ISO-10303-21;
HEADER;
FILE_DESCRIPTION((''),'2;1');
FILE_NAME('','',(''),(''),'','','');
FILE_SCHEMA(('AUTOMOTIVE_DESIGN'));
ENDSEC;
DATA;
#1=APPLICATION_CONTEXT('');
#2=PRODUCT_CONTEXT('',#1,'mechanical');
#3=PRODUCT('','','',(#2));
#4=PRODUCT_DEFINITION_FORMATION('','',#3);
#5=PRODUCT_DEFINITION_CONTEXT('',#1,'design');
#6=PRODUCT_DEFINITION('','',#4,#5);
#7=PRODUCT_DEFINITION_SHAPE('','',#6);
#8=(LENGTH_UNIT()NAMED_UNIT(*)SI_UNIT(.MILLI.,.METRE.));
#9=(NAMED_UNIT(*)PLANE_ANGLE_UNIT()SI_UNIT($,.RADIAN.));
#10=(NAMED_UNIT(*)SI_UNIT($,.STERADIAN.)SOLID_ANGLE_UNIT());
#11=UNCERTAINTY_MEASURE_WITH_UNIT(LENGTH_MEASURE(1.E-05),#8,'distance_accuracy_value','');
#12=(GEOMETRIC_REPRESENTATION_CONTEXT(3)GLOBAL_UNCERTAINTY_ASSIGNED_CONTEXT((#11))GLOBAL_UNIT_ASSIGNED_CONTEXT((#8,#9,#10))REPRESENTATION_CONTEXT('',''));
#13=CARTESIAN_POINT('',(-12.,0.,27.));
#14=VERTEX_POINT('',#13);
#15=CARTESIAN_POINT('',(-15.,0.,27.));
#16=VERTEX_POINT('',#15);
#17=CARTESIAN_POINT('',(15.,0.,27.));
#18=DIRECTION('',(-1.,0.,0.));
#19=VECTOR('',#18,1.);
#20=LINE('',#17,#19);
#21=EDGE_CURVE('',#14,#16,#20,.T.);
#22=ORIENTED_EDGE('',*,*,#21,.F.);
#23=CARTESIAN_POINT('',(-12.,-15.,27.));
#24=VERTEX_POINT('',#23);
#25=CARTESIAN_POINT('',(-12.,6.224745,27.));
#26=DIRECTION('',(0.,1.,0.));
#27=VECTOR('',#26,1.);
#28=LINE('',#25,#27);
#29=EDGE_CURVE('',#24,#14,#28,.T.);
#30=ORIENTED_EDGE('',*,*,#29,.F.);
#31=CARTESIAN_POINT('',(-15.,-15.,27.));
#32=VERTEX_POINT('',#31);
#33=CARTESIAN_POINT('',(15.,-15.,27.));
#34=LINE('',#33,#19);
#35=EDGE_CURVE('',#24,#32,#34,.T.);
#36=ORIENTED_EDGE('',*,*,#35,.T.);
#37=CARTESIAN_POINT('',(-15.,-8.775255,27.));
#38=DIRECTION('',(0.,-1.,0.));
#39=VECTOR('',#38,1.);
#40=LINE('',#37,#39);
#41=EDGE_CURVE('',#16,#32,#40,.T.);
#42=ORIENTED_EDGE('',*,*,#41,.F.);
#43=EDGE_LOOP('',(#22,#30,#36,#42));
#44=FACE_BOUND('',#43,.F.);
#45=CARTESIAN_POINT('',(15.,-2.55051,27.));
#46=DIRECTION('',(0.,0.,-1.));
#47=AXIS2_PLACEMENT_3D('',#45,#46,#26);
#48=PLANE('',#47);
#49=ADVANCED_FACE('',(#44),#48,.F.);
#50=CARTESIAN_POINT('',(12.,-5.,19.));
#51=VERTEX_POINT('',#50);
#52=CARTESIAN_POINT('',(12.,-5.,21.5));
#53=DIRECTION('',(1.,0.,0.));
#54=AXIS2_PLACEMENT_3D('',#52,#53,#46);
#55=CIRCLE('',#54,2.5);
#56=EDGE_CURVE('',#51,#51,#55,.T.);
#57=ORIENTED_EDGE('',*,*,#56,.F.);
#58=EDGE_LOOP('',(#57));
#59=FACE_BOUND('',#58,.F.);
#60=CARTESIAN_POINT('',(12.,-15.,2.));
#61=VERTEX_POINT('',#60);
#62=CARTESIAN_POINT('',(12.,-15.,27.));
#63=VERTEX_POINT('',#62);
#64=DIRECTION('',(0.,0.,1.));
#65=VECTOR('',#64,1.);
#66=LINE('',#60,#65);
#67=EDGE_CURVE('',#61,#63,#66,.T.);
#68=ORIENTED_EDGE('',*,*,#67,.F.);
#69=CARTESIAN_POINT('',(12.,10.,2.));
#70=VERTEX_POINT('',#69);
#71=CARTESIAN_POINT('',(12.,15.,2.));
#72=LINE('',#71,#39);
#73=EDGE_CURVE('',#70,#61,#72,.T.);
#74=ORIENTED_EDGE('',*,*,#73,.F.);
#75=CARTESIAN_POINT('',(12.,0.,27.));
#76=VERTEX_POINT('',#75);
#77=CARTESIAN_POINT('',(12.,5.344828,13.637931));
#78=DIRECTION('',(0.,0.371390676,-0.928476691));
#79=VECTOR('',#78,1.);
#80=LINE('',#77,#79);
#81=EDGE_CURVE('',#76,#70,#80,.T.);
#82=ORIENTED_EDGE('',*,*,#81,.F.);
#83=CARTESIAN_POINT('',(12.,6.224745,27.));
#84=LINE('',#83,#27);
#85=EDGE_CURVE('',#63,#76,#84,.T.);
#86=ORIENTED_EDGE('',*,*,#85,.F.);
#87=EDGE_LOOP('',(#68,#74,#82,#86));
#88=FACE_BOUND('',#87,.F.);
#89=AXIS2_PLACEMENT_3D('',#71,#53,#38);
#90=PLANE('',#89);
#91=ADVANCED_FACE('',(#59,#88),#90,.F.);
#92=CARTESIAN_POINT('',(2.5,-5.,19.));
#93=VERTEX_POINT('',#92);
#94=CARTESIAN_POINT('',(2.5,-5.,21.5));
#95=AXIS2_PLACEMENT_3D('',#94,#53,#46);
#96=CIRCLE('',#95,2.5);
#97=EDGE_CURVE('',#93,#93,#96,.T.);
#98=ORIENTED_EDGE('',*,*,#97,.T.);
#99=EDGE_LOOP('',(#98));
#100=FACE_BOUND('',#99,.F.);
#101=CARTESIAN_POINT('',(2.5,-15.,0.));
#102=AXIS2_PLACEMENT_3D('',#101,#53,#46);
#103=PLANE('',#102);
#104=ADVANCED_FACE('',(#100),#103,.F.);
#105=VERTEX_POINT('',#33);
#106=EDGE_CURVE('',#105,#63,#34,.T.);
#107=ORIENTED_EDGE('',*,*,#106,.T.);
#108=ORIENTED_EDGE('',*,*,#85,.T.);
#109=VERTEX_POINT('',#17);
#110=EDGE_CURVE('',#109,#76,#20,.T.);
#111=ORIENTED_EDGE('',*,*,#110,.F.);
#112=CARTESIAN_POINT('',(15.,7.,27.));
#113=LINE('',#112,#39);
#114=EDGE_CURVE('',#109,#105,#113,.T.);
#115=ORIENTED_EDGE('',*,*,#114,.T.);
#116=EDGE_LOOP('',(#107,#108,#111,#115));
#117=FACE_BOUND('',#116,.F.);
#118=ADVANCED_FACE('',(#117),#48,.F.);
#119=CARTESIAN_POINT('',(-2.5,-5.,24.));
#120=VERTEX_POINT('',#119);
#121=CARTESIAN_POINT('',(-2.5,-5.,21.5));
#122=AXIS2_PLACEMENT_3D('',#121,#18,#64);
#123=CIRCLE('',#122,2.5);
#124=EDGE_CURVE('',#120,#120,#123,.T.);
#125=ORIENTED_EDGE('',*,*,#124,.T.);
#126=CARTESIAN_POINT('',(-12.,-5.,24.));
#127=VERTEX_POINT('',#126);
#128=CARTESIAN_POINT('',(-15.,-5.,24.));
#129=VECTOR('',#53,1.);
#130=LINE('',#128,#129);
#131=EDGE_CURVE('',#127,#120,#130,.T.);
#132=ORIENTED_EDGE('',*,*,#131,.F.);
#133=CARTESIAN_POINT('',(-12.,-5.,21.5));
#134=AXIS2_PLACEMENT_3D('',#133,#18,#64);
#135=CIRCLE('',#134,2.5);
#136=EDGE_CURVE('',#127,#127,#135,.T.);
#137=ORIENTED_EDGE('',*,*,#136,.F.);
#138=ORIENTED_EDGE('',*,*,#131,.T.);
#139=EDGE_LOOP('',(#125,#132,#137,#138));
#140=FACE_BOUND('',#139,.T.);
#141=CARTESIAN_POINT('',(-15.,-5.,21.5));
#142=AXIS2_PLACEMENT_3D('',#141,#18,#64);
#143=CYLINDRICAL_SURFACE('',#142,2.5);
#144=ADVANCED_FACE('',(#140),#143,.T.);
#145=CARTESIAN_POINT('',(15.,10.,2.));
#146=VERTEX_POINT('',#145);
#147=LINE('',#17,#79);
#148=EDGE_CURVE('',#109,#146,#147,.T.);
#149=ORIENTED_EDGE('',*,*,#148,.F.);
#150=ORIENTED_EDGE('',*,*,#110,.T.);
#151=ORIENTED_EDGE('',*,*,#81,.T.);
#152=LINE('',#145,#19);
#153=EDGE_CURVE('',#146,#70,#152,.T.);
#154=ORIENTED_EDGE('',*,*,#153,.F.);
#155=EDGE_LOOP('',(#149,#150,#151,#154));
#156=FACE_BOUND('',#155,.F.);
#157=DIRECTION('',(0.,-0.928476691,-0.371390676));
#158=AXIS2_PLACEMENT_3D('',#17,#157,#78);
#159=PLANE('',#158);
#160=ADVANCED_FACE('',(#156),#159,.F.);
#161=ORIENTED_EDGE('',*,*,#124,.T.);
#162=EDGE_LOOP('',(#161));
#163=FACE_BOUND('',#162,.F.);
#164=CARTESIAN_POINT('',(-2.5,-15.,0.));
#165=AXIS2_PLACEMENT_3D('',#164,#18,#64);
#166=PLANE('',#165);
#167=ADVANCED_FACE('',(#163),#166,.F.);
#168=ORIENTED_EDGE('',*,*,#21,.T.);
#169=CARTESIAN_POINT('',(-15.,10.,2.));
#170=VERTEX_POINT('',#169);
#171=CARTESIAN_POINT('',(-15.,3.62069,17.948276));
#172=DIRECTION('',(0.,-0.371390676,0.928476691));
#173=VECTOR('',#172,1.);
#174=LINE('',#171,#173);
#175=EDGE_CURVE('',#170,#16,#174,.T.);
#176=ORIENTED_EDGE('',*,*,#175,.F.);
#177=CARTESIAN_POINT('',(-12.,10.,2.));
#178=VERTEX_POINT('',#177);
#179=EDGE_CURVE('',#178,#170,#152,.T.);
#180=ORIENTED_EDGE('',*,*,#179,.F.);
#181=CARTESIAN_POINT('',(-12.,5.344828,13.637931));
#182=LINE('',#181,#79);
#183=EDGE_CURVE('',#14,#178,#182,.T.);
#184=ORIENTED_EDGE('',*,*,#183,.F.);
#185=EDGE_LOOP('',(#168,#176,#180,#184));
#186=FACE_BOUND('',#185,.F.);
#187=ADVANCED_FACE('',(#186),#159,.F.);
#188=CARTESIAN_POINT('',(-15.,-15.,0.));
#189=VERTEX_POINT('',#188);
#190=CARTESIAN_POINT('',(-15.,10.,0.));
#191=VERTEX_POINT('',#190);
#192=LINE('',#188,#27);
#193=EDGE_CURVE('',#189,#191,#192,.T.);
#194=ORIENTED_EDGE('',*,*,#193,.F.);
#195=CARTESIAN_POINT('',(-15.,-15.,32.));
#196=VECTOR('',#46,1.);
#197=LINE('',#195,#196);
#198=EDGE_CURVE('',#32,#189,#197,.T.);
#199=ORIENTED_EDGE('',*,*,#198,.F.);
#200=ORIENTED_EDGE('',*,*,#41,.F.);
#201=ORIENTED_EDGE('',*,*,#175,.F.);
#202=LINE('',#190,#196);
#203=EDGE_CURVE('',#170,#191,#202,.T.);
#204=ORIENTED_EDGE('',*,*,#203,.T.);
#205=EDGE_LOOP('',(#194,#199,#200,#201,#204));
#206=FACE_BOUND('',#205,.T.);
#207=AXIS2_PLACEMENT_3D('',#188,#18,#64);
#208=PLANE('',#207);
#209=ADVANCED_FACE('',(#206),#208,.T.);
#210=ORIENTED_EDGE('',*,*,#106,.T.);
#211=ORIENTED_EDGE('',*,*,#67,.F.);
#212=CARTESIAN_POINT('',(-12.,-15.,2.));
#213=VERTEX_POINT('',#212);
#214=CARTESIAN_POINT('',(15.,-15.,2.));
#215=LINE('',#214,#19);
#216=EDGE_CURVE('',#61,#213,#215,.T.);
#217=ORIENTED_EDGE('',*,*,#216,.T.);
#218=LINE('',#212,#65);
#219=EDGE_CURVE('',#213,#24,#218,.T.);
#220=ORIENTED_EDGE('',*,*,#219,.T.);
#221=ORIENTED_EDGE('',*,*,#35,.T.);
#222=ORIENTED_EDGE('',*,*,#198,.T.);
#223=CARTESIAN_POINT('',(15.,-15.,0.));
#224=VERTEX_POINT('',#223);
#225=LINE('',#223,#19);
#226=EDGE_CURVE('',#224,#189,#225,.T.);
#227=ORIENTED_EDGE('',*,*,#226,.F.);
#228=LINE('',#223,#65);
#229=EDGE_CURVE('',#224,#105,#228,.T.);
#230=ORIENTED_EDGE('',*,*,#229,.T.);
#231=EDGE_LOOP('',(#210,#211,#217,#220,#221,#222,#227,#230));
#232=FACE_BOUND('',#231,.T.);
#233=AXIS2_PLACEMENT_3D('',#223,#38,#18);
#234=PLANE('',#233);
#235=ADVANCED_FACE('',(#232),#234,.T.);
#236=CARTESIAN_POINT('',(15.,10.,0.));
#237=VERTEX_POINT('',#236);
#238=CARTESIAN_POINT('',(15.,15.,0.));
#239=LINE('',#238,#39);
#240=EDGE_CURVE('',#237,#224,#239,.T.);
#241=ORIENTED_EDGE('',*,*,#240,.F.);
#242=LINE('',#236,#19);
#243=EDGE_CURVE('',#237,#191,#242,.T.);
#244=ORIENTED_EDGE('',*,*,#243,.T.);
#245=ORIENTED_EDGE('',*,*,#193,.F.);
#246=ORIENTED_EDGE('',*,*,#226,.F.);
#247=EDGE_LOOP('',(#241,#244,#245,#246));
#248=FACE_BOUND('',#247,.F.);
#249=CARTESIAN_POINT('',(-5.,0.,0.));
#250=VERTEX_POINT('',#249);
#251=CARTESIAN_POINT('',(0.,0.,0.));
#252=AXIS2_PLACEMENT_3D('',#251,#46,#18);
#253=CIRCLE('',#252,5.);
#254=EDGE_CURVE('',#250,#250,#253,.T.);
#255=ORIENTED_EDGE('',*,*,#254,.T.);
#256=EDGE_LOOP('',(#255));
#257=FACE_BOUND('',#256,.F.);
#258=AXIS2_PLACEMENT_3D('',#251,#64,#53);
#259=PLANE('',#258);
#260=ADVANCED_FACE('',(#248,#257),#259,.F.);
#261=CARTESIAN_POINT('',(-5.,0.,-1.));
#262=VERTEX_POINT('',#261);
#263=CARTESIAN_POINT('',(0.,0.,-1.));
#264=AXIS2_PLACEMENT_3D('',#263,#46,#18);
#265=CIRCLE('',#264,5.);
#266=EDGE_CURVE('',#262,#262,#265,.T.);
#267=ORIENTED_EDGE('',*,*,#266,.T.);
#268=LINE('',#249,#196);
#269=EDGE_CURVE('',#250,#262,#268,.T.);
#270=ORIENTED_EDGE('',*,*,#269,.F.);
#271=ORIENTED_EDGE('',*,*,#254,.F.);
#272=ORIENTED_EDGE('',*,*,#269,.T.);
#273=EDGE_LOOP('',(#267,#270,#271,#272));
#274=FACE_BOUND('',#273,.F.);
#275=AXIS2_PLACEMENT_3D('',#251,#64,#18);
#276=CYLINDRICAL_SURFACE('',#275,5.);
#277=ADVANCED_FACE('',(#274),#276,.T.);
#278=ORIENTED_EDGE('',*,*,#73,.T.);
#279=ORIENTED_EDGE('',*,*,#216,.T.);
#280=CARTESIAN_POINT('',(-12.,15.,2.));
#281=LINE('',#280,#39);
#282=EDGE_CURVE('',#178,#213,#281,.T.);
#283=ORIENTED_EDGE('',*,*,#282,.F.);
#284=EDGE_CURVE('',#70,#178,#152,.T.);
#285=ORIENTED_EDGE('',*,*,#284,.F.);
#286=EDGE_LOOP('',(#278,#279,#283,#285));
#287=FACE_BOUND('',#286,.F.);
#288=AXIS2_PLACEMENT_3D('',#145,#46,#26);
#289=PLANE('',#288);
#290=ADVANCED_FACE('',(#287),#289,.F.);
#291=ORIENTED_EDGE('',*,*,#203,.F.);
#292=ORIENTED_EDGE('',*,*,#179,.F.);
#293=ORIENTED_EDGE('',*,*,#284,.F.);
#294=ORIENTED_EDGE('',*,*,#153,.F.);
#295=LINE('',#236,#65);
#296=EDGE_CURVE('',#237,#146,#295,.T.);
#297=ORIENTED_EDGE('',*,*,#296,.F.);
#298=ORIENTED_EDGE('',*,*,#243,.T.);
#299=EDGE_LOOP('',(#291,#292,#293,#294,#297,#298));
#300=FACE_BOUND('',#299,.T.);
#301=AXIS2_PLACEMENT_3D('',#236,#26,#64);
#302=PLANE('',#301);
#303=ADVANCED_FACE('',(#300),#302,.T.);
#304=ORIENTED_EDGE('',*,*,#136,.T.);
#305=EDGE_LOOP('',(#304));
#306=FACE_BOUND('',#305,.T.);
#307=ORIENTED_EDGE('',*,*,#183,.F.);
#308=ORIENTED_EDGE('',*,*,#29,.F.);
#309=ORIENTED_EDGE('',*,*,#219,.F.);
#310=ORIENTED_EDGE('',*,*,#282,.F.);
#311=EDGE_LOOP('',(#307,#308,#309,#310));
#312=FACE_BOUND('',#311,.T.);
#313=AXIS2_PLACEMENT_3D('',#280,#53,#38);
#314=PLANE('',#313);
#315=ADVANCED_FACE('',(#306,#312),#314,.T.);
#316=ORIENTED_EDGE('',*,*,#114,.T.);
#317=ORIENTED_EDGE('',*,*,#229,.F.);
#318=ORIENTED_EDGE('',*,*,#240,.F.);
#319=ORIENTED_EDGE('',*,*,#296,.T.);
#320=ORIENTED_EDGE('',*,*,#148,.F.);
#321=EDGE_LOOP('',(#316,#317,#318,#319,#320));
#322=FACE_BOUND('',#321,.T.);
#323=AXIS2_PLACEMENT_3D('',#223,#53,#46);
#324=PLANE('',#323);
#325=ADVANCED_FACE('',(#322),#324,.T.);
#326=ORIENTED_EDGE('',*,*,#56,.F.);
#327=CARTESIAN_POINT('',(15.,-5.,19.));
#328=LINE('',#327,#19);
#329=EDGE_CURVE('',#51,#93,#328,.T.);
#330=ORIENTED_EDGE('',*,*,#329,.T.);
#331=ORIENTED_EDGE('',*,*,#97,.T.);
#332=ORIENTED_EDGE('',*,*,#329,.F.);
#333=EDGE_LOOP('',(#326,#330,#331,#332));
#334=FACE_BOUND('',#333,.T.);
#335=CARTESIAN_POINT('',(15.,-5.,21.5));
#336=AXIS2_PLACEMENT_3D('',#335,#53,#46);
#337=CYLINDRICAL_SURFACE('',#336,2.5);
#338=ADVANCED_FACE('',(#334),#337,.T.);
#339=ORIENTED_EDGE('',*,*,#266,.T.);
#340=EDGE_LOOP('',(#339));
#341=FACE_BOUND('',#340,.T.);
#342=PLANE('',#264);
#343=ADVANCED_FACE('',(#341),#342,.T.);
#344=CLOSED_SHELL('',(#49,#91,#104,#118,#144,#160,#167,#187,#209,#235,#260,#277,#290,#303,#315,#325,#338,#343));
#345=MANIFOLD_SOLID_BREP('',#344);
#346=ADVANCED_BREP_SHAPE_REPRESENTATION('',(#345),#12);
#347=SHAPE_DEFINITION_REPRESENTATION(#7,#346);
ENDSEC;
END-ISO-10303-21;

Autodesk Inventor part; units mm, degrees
ref_plane "YZ Plane" through (0, 0, 0) normal (1, 0, 0) x (0, 1, 0)
ref_plane "XZ Plane" through (0, 0, 0) normal (0, 1, 0) x (-1, 0, 0)
ref_plane "XY Plane" through (0, 0, 0) normal (0, 0, 1) x (1, 0, 0)
sketch "스케치1" plane through (0, 0, 0) normal (0, 0, 1) x (1, 0, 0)
  line L0 (15, -15) -> (-15, -15)
  line L1 (-15, -15) -> (-15, 15)
  line L2 (-15, 15) -> (15, 15)
  line L3 (15, 15) -> (15, -15)
  line L4 (15, -15) -> (-15, 15) construction
  line L5 (-15, -15) -> (15, 15) construction
  point P0 (0, 0)
  dimension "d0" = 30
  dimension "d1" = 30
extrude "돌출1" add sketch "스케치1" along normal blind 2
sketch "스케치2" plane through (0, 0, 2) normal (0, 0, 1) x (1, 0, 0)
  line L0 (-15, 15) -> (-15, -15) projected
  line L1 (-15, -15) -> (15, -15) projected
  line L2 (-15, 15) -> (-12, 15)
  line L3 (-12, 15) -> (-12, -15)
  line L4 (-12, -15) -> (-15, -15)
  line L5 (-15, -15) -> (-15, 15)
  line L6 (15, -15) -> (15, 15) projected
  line L7 (15, 15) -> (12, 15)
  line L8 (12, 15) -> (12, -15)
  line L9 (12, -15) -> (15, -15)
  line L10 (15, -15) -> (15, 15)
  point P0 (0, 0)
  dimension "d4" = 3
  dimension "d5" = 3
extrude "돌출2" add sketch "스케치2" along normal blind 30
sketch "스케치3" plane through (0, 0, 0) normal (0, 0, -1) x (-1, 0, 0)
  circle A0 centre (0, 0) radius 5
  dimension "d8" = 10
extrude "돌출3" add sketch "스케치3" along normal blind 1
sketch "스케치4" plane through (15, -15, 0) normal (1, 0, 0) x (0, 0, -1)
  line L0 (0, 0) -> (-39, 0)
  line L1 (-39, 0) -> (-26.5, 0)
  line L2 (-2, 0) -> (-32, 0) projected
  line L3 (-26.5, 0) -> (-26.5, 10)
  circle A0 centre (-26.5, 10) radius 2.5
  line L4 (0, 0) -> (-32, 0) projected
  line L5 (0, 0) -> (-34, 0)
  line L6 (-34, 0) -> (-21.5, 0)
  line L7 (-21.5, 0) -> (-21.5, 10)
  circle A1 centre (-21.5, 10) radius 2.5
  point P0 (0, 15)
  dimension "d11" = 39
  dimension "d12" = 12.5
  dimension "d13" = 5
  dimension "d14" = 10
  dimension "d32" = 34
  dimension "d33" = 12.5
extrude "돌출4" add sketch "스케치4" against normal blind 12.5 contours A1
sketch "스케치5" plane through (-15, -15, 0) normal (-1, 0, 0) x (0, 0, 1)
  circle A0 centre (26.5, 10) radius 2.5 projected
  circle A1 centre (21.5, 10) radius 2.5 projected
  circle A2 centre (21.5, 10) radius 2.5 projected
  point P0 (0, 15)
extrude "돌출5" add sketch "스케치5" against normal blind 12.5 contours A1
sketch "스케치6" plane through (15, -15, 0) normal (1, 0, 0) x (0, 0, -1)
  line L0 (0, 30) -> (-32, 30) projected
  line L1 (-2, 30) -> (-32, 30) projected
  line L2 (-2, 30) -> (-32, 30) projected
  line L3 (0, 30) -> (-32, 30) projected
  line L4 (-2, 0) -> (-2, 30) projected
  line L5 (-2, 30) -> (-2, 0) projected
  line L6 (0, 30) -> (-32, 30) projected
  line L7 (-2, 30) -> (-2, 0) projected
  line L8 (0, 30) -> (-2, 30)
  line L9 (-2, 30) -> (-7, 30)
  line L10 (-2, 30) -> (-32, 30) projected
  line L11 (-32, 0) -> (-32, 30) projected
  line L12 (-7, 30) -> (-32, 30)
  line L13 (-32, 30) -> (-32, 20)
  line L14 (-32, 20) -> (-7, 30)
  circle A0 centre (-26.5, 10) radius 2.5 projected
  line L15 (0, 0) -> (-32, 0) projected
  line L16 (-32, 0) -> (-27, 0)
  line L17 (-27, 0) -> (-27, 22)
  point P0 (0, 15)
  point P1 (-7, 30)
  dimension "d19" = 2
  dimension "d20" = 5
  dimension "d21" = 10
  dimension "d22" = 5
extrude "돌출6" cut sketch "스케치6" against normal through all contours L14 L11 L0 | L17 A0 L15 L11 L14 | L17 A0 picked at (-27.6602, 9.8965)
sketch "스케치7" plane through (15, -15, 0) normal (1, 0, 0) x (0, 0, -1)
  line L0 (-2, 0) -> (-2, 30) projected
  line L1 (-2, 30) -> (-2, 25)
  line L2 (-2, 30) -> (-2, 0) projected
  line L3 (-2, 25) -> (-27, 25)
  line L4 (-27, 22) -> (-27, 0) projected
  arc A0 (-27, 7.5505) -> (-27, 12.4495) centre (-26.5, 10) ccw projected
  line L5 (-27, 25) -> (-27, 15)
  line L6 (-27, 15) -> (-2, 25)
  line L7 (-27, 22) -> (-27, 0) projected
  line L8 (0, 0) -> (-27, 0) projected
  line L9 (0, 0) -> (0, 30) projected
  line L10 (0, 30) -> (-7, 30) projected
  line L11 (-7, 30) -> (-27, 22) projected
  point P0 (0, 15)
  point P1 (-2, 25)
  dimension "d25" = 5
  dimension "d26" = 10
extrude "돌출7" cut sketch "스케치7" against normal through all contours L3 L11 L10 L0 | L6 L4 L11 L3
sketch "스케치8" plane through (15, -15, 0) normal (1, 0, 0) x (0, 0, -1)
  line L0 (0, 0) -> (0, 30) projected
  line L1 (0, 30) -> (0, 25)
  line L2 (0, 25) -> (-2, 25)
  line L3 (0, 30) -> (-2, 30) projected
  line L4 (-2, 25) -> (-2, 30)
  line L5 (0, 30) -> (-2, 30)
  point P0 (0, 15)
  dimension "d29" = 5
extrude "돌출8" cut sketch "스케치8" against normal through all
properties part number "castor_link2" material "알루미늄 6061"
